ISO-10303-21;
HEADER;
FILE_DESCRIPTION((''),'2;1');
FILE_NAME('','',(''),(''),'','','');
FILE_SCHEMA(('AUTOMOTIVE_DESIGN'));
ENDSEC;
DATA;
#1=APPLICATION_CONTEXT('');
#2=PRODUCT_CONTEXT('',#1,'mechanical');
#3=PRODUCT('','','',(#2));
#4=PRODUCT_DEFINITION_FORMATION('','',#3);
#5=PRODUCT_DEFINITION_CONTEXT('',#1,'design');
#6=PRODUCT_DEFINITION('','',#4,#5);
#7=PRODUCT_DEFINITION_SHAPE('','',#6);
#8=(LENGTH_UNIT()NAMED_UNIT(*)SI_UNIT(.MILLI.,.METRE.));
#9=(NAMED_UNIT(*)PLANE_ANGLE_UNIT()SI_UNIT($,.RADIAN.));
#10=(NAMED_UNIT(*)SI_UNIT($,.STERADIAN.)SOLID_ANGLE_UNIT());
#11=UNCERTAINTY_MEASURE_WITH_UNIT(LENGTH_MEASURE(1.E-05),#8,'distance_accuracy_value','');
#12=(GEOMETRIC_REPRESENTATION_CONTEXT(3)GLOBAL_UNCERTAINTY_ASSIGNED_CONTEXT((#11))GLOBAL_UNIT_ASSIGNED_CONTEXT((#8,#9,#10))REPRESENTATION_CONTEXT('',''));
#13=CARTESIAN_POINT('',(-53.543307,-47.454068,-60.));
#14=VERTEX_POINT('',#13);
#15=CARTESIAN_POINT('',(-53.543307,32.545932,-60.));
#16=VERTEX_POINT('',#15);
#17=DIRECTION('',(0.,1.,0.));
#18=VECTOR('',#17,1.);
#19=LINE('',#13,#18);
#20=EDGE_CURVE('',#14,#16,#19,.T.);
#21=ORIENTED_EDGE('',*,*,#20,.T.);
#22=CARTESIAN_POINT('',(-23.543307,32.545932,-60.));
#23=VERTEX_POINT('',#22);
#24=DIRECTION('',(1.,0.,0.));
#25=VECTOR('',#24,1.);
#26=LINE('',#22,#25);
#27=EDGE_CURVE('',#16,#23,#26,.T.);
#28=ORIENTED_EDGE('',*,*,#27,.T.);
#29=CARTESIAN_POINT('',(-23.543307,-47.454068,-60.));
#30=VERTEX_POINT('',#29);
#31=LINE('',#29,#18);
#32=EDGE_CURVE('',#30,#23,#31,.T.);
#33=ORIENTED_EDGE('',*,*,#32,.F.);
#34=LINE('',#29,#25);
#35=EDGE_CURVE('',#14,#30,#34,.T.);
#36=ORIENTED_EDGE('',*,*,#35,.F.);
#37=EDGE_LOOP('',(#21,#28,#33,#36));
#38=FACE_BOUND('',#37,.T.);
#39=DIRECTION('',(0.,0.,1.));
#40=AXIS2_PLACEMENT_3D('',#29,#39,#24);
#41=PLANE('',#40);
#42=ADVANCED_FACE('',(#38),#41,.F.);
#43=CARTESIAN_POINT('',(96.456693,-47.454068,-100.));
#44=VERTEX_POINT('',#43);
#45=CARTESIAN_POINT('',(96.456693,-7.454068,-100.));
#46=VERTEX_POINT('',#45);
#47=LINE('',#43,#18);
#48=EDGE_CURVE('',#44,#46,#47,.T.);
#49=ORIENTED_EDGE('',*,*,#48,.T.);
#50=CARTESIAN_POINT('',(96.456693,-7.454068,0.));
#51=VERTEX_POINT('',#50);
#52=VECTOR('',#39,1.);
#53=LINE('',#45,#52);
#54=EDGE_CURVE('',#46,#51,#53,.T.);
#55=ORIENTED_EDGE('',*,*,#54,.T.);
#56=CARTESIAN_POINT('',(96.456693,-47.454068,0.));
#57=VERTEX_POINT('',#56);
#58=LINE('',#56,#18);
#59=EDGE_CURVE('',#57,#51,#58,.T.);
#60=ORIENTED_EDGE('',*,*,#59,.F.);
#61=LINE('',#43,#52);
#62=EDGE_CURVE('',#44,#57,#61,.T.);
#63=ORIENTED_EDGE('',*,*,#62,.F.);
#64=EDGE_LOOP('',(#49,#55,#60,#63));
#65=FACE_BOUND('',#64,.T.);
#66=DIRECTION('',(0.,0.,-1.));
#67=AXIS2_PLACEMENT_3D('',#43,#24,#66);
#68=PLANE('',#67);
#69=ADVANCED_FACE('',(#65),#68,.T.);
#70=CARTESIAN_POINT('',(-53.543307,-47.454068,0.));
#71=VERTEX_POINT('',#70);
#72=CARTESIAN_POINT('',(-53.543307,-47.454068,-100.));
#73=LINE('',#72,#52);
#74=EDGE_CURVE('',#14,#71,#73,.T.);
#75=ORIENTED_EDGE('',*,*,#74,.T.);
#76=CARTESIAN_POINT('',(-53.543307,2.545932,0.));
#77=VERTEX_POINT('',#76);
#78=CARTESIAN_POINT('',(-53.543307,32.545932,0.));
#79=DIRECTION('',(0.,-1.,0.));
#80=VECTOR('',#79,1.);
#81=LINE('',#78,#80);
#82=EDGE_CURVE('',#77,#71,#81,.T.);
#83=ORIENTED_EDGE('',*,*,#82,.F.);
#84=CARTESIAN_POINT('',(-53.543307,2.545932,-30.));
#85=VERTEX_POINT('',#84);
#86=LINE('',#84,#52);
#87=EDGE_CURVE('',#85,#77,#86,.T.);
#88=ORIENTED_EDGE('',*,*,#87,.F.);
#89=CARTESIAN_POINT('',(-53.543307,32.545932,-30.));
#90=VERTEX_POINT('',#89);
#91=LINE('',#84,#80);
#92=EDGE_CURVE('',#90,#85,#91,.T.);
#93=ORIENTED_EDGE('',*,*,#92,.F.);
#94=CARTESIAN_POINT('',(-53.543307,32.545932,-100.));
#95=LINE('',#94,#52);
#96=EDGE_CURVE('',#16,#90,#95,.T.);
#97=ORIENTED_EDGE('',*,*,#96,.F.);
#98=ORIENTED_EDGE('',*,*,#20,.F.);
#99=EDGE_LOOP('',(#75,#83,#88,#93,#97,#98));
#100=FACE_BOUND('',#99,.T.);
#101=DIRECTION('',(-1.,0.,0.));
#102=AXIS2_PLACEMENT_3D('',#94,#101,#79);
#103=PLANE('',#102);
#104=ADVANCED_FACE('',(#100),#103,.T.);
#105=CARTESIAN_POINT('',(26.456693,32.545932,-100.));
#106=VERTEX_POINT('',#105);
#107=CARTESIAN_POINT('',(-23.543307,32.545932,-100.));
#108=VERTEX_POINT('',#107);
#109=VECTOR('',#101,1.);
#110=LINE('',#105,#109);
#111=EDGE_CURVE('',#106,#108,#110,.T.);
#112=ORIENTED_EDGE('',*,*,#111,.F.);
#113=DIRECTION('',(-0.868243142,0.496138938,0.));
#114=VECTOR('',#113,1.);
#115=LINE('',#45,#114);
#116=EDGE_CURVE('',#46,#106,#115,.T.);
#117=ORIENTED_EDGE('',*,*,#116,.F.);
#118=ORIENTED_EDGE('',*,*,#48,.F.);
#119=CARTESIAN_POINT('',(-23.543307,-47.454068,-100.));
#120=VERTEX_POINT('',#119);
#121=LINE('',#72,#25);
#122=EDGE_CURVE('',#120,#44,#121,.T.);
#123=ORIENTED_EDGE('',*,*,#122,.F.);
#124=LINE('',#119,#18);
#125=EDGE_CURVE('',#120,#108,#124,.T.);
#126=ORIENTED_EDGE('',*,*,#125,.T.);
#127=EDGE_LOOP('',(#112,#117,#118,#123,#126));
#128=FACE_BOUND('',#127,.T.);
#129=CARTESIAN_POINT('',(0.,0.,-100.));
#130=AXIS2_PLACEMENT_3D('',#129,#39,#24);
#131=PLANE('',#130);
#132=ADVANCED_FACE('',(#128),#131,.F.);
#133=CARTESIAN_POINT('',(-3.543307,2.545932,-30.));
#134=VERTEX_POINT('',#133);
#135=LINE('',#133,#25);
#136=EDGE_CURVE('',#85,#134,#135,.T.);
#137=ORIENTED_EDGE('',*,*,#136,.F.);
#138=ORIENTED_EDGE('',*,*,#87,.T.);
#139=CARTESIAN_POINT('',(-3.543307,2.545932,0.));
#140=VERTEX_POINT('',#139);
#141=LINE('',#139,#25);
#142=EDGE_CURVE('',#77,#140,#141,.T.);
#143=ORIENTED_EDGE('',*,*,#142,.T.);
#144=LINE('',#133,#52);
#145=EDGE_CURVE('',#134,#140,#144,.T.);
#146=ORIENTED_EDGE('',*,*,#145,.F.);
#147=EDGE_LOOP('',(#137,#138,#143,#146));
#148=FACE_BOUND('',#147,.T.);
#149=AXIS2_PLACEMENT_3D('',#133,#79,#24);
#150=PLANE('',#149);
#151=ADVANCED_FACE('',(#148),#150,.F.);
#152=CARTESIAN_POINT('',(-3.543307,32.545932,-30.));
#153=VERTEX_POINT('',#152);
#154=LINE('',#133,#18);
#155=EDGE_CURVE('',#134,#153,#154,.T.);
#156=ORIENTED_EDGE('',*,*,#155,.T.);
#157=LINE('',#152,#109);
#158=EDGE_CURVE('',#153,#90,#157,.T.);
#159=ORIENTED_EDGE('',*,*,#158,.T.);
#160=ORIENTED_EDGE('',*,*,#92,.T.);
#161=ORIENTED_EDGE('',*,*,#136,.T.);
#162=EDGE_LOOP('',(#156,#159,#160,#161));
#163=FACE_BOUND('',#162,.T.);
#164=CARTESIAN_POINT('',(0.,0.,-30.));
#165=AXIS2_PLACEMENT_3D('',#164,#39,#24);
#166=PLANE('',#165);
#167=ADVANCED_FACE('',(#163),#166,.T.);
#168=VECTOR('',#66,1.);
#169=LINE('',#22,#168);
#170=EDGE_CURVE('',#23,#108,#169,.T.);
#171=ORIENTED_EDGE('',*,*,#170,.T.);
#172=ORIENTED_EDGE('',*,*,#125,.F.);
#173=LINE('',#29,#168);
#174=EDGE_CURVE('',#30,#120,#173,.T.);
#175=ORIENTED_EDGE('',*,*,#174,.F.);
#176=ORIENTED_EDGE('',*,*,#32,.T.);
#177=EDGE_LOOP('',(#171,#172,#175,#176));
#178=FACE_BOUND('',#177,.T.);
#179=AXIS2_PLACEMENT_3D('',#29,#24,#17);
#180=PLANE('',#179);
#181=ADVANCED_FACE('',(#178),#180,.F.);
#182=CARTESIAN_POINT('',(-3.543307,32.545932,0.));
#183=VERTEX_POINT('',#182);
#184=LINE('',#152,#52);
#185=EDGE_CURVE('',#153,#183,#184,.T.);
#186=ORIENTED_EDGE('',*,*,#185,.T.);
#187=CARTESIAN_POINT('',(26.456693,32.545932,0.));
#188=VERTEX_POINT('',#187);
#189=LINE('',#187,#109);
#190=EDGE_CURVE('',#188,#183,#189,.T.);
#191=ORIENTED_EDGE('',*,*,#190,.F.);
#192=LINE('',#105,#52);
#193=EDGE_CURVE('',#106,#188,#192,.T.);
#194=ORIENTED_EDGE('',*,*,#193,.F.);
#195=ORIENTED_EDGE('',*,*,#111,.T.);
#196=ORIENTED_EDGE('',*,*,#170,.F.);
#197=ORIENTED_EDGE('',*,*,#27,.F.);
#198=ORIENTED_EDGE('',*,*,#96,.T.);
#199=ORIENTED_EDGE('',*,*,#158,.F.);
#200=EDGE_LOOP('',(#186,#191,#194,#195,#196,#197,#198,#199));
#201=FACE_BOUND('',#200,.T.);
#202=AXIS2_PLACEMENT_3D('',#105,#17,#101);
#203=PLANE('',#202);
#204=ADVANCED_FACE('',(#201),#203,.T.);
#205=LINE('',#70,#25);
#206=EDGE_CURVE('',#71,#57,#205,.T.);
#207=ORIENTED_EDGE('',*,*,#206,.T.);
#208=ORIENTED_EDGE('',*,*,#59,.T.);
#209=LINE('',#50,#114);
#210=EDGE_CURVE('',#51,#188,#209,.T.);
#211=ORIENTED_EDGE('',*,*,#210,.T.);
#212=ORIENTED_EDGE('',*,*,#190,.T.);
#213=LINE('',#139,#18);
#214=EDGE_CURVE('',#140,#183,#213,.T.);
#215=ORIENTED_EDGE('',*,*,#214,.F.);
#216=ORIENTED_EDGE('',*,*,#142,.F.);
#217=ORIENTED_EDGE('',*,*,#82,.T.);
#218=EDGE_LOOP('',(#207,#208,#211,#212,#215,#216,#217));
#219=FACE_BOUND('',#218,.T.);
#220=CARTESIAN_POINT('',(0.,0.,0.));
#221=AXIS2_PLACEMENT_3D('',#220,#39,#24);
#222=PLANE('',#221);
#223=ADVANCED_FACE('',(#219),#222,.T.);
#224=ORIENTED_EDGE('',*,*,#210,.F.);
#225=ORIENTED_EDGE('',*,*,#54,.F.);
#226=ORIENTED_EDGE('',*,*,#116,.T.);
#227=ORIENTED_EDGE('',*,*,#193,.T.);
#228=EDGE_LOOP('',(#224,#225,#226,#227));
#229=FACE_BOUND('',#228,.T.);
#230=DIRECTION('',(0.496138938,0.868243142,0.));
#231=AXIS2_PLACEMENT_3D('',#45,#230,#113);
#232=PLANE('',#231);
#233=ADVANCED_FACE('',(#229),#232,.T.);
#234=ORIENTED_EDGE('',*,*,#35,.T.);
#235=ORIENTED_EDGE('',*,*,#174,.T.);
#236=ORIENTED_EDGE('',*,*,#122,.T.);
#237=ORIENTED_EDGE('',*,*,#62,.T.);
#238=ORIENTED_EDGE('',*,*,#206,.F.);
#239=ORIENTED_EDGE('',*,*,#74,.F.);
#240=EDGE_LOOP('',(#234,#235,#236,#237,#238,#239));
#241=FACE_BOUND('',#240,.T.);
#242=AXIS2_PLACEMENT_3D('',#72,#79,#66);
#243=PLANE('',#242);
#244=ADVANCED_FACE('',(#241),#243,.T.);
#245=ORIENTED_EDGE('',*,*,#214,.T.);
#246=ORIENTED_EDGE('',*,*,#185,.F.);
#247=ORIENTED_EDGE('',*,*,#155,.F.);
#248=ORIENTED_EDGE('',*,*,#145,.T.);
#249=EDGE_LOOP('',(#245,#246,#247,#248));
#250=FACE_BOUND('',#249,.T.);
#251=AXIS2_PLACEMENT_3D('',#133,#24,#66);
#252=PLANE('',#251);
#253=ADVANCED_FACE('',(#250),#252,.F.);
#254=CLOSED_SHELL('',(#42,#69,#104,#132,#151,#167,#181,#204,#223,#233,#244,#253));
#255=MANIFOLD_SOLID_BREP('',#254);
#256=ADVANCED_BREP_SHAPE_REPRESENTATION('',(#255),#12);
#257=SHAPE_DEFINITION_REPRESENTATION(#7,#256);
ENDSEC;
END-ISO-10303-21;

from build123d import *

# Parameters (mm, degrees)
BOSS_EXTRUDE1_DEPTH = 100
SKETCH2_W           = 50
SKETCH2_H           = 30
CUT_EXTRUDE1_DEPTH  = 30
SKETCH3_W           = 30
SKETCH3_H           = 40
CUT_EXTRUDE2_DEPTH  = 80


with BuildPart() as part:
    # Sketch1 → Boss-Extrude1 (new body)
    with BuildSketch(Plane.XY):
        Polygon((-53.543307087, -47.454068241), (96.456692913, -47.454068241), (96.456692913, -7.454068241), (26.456692913, 32.545931759), (-53.543307087, 32.545931759), align=None)
    extrude(amount=-BOSS_EXTRUDE1_DEPTH)

    # Sketch2 → Cut-Extrude1 (cut)
    with BuildSketch(Plane.XY):
        with Locations((-28.543307087, 17.545931759)):
            Rectangle(SKETCH2_W, SKETCH2_H)
    extrude(amount=-CUT_EXTRUDE1_DEPTH, mode=Mode.SUBTRACT)

    # Sketch3 → Cut-Extrude2 (cut)
    with BuildSketch(Plane(origin=(0, 32.545931759, 0), x_dir=(1, 0, 0), z_dir=(0, 1, 0))):
        with Locations((-38.543307087, 80)):
            Rectangle(SKETCH3_W, SKETCH3_H)
    extrude(amount=-CUT_EXTRUDE2_DEPTH, mode=Mode.SUBTRACT)


solid = part.part
